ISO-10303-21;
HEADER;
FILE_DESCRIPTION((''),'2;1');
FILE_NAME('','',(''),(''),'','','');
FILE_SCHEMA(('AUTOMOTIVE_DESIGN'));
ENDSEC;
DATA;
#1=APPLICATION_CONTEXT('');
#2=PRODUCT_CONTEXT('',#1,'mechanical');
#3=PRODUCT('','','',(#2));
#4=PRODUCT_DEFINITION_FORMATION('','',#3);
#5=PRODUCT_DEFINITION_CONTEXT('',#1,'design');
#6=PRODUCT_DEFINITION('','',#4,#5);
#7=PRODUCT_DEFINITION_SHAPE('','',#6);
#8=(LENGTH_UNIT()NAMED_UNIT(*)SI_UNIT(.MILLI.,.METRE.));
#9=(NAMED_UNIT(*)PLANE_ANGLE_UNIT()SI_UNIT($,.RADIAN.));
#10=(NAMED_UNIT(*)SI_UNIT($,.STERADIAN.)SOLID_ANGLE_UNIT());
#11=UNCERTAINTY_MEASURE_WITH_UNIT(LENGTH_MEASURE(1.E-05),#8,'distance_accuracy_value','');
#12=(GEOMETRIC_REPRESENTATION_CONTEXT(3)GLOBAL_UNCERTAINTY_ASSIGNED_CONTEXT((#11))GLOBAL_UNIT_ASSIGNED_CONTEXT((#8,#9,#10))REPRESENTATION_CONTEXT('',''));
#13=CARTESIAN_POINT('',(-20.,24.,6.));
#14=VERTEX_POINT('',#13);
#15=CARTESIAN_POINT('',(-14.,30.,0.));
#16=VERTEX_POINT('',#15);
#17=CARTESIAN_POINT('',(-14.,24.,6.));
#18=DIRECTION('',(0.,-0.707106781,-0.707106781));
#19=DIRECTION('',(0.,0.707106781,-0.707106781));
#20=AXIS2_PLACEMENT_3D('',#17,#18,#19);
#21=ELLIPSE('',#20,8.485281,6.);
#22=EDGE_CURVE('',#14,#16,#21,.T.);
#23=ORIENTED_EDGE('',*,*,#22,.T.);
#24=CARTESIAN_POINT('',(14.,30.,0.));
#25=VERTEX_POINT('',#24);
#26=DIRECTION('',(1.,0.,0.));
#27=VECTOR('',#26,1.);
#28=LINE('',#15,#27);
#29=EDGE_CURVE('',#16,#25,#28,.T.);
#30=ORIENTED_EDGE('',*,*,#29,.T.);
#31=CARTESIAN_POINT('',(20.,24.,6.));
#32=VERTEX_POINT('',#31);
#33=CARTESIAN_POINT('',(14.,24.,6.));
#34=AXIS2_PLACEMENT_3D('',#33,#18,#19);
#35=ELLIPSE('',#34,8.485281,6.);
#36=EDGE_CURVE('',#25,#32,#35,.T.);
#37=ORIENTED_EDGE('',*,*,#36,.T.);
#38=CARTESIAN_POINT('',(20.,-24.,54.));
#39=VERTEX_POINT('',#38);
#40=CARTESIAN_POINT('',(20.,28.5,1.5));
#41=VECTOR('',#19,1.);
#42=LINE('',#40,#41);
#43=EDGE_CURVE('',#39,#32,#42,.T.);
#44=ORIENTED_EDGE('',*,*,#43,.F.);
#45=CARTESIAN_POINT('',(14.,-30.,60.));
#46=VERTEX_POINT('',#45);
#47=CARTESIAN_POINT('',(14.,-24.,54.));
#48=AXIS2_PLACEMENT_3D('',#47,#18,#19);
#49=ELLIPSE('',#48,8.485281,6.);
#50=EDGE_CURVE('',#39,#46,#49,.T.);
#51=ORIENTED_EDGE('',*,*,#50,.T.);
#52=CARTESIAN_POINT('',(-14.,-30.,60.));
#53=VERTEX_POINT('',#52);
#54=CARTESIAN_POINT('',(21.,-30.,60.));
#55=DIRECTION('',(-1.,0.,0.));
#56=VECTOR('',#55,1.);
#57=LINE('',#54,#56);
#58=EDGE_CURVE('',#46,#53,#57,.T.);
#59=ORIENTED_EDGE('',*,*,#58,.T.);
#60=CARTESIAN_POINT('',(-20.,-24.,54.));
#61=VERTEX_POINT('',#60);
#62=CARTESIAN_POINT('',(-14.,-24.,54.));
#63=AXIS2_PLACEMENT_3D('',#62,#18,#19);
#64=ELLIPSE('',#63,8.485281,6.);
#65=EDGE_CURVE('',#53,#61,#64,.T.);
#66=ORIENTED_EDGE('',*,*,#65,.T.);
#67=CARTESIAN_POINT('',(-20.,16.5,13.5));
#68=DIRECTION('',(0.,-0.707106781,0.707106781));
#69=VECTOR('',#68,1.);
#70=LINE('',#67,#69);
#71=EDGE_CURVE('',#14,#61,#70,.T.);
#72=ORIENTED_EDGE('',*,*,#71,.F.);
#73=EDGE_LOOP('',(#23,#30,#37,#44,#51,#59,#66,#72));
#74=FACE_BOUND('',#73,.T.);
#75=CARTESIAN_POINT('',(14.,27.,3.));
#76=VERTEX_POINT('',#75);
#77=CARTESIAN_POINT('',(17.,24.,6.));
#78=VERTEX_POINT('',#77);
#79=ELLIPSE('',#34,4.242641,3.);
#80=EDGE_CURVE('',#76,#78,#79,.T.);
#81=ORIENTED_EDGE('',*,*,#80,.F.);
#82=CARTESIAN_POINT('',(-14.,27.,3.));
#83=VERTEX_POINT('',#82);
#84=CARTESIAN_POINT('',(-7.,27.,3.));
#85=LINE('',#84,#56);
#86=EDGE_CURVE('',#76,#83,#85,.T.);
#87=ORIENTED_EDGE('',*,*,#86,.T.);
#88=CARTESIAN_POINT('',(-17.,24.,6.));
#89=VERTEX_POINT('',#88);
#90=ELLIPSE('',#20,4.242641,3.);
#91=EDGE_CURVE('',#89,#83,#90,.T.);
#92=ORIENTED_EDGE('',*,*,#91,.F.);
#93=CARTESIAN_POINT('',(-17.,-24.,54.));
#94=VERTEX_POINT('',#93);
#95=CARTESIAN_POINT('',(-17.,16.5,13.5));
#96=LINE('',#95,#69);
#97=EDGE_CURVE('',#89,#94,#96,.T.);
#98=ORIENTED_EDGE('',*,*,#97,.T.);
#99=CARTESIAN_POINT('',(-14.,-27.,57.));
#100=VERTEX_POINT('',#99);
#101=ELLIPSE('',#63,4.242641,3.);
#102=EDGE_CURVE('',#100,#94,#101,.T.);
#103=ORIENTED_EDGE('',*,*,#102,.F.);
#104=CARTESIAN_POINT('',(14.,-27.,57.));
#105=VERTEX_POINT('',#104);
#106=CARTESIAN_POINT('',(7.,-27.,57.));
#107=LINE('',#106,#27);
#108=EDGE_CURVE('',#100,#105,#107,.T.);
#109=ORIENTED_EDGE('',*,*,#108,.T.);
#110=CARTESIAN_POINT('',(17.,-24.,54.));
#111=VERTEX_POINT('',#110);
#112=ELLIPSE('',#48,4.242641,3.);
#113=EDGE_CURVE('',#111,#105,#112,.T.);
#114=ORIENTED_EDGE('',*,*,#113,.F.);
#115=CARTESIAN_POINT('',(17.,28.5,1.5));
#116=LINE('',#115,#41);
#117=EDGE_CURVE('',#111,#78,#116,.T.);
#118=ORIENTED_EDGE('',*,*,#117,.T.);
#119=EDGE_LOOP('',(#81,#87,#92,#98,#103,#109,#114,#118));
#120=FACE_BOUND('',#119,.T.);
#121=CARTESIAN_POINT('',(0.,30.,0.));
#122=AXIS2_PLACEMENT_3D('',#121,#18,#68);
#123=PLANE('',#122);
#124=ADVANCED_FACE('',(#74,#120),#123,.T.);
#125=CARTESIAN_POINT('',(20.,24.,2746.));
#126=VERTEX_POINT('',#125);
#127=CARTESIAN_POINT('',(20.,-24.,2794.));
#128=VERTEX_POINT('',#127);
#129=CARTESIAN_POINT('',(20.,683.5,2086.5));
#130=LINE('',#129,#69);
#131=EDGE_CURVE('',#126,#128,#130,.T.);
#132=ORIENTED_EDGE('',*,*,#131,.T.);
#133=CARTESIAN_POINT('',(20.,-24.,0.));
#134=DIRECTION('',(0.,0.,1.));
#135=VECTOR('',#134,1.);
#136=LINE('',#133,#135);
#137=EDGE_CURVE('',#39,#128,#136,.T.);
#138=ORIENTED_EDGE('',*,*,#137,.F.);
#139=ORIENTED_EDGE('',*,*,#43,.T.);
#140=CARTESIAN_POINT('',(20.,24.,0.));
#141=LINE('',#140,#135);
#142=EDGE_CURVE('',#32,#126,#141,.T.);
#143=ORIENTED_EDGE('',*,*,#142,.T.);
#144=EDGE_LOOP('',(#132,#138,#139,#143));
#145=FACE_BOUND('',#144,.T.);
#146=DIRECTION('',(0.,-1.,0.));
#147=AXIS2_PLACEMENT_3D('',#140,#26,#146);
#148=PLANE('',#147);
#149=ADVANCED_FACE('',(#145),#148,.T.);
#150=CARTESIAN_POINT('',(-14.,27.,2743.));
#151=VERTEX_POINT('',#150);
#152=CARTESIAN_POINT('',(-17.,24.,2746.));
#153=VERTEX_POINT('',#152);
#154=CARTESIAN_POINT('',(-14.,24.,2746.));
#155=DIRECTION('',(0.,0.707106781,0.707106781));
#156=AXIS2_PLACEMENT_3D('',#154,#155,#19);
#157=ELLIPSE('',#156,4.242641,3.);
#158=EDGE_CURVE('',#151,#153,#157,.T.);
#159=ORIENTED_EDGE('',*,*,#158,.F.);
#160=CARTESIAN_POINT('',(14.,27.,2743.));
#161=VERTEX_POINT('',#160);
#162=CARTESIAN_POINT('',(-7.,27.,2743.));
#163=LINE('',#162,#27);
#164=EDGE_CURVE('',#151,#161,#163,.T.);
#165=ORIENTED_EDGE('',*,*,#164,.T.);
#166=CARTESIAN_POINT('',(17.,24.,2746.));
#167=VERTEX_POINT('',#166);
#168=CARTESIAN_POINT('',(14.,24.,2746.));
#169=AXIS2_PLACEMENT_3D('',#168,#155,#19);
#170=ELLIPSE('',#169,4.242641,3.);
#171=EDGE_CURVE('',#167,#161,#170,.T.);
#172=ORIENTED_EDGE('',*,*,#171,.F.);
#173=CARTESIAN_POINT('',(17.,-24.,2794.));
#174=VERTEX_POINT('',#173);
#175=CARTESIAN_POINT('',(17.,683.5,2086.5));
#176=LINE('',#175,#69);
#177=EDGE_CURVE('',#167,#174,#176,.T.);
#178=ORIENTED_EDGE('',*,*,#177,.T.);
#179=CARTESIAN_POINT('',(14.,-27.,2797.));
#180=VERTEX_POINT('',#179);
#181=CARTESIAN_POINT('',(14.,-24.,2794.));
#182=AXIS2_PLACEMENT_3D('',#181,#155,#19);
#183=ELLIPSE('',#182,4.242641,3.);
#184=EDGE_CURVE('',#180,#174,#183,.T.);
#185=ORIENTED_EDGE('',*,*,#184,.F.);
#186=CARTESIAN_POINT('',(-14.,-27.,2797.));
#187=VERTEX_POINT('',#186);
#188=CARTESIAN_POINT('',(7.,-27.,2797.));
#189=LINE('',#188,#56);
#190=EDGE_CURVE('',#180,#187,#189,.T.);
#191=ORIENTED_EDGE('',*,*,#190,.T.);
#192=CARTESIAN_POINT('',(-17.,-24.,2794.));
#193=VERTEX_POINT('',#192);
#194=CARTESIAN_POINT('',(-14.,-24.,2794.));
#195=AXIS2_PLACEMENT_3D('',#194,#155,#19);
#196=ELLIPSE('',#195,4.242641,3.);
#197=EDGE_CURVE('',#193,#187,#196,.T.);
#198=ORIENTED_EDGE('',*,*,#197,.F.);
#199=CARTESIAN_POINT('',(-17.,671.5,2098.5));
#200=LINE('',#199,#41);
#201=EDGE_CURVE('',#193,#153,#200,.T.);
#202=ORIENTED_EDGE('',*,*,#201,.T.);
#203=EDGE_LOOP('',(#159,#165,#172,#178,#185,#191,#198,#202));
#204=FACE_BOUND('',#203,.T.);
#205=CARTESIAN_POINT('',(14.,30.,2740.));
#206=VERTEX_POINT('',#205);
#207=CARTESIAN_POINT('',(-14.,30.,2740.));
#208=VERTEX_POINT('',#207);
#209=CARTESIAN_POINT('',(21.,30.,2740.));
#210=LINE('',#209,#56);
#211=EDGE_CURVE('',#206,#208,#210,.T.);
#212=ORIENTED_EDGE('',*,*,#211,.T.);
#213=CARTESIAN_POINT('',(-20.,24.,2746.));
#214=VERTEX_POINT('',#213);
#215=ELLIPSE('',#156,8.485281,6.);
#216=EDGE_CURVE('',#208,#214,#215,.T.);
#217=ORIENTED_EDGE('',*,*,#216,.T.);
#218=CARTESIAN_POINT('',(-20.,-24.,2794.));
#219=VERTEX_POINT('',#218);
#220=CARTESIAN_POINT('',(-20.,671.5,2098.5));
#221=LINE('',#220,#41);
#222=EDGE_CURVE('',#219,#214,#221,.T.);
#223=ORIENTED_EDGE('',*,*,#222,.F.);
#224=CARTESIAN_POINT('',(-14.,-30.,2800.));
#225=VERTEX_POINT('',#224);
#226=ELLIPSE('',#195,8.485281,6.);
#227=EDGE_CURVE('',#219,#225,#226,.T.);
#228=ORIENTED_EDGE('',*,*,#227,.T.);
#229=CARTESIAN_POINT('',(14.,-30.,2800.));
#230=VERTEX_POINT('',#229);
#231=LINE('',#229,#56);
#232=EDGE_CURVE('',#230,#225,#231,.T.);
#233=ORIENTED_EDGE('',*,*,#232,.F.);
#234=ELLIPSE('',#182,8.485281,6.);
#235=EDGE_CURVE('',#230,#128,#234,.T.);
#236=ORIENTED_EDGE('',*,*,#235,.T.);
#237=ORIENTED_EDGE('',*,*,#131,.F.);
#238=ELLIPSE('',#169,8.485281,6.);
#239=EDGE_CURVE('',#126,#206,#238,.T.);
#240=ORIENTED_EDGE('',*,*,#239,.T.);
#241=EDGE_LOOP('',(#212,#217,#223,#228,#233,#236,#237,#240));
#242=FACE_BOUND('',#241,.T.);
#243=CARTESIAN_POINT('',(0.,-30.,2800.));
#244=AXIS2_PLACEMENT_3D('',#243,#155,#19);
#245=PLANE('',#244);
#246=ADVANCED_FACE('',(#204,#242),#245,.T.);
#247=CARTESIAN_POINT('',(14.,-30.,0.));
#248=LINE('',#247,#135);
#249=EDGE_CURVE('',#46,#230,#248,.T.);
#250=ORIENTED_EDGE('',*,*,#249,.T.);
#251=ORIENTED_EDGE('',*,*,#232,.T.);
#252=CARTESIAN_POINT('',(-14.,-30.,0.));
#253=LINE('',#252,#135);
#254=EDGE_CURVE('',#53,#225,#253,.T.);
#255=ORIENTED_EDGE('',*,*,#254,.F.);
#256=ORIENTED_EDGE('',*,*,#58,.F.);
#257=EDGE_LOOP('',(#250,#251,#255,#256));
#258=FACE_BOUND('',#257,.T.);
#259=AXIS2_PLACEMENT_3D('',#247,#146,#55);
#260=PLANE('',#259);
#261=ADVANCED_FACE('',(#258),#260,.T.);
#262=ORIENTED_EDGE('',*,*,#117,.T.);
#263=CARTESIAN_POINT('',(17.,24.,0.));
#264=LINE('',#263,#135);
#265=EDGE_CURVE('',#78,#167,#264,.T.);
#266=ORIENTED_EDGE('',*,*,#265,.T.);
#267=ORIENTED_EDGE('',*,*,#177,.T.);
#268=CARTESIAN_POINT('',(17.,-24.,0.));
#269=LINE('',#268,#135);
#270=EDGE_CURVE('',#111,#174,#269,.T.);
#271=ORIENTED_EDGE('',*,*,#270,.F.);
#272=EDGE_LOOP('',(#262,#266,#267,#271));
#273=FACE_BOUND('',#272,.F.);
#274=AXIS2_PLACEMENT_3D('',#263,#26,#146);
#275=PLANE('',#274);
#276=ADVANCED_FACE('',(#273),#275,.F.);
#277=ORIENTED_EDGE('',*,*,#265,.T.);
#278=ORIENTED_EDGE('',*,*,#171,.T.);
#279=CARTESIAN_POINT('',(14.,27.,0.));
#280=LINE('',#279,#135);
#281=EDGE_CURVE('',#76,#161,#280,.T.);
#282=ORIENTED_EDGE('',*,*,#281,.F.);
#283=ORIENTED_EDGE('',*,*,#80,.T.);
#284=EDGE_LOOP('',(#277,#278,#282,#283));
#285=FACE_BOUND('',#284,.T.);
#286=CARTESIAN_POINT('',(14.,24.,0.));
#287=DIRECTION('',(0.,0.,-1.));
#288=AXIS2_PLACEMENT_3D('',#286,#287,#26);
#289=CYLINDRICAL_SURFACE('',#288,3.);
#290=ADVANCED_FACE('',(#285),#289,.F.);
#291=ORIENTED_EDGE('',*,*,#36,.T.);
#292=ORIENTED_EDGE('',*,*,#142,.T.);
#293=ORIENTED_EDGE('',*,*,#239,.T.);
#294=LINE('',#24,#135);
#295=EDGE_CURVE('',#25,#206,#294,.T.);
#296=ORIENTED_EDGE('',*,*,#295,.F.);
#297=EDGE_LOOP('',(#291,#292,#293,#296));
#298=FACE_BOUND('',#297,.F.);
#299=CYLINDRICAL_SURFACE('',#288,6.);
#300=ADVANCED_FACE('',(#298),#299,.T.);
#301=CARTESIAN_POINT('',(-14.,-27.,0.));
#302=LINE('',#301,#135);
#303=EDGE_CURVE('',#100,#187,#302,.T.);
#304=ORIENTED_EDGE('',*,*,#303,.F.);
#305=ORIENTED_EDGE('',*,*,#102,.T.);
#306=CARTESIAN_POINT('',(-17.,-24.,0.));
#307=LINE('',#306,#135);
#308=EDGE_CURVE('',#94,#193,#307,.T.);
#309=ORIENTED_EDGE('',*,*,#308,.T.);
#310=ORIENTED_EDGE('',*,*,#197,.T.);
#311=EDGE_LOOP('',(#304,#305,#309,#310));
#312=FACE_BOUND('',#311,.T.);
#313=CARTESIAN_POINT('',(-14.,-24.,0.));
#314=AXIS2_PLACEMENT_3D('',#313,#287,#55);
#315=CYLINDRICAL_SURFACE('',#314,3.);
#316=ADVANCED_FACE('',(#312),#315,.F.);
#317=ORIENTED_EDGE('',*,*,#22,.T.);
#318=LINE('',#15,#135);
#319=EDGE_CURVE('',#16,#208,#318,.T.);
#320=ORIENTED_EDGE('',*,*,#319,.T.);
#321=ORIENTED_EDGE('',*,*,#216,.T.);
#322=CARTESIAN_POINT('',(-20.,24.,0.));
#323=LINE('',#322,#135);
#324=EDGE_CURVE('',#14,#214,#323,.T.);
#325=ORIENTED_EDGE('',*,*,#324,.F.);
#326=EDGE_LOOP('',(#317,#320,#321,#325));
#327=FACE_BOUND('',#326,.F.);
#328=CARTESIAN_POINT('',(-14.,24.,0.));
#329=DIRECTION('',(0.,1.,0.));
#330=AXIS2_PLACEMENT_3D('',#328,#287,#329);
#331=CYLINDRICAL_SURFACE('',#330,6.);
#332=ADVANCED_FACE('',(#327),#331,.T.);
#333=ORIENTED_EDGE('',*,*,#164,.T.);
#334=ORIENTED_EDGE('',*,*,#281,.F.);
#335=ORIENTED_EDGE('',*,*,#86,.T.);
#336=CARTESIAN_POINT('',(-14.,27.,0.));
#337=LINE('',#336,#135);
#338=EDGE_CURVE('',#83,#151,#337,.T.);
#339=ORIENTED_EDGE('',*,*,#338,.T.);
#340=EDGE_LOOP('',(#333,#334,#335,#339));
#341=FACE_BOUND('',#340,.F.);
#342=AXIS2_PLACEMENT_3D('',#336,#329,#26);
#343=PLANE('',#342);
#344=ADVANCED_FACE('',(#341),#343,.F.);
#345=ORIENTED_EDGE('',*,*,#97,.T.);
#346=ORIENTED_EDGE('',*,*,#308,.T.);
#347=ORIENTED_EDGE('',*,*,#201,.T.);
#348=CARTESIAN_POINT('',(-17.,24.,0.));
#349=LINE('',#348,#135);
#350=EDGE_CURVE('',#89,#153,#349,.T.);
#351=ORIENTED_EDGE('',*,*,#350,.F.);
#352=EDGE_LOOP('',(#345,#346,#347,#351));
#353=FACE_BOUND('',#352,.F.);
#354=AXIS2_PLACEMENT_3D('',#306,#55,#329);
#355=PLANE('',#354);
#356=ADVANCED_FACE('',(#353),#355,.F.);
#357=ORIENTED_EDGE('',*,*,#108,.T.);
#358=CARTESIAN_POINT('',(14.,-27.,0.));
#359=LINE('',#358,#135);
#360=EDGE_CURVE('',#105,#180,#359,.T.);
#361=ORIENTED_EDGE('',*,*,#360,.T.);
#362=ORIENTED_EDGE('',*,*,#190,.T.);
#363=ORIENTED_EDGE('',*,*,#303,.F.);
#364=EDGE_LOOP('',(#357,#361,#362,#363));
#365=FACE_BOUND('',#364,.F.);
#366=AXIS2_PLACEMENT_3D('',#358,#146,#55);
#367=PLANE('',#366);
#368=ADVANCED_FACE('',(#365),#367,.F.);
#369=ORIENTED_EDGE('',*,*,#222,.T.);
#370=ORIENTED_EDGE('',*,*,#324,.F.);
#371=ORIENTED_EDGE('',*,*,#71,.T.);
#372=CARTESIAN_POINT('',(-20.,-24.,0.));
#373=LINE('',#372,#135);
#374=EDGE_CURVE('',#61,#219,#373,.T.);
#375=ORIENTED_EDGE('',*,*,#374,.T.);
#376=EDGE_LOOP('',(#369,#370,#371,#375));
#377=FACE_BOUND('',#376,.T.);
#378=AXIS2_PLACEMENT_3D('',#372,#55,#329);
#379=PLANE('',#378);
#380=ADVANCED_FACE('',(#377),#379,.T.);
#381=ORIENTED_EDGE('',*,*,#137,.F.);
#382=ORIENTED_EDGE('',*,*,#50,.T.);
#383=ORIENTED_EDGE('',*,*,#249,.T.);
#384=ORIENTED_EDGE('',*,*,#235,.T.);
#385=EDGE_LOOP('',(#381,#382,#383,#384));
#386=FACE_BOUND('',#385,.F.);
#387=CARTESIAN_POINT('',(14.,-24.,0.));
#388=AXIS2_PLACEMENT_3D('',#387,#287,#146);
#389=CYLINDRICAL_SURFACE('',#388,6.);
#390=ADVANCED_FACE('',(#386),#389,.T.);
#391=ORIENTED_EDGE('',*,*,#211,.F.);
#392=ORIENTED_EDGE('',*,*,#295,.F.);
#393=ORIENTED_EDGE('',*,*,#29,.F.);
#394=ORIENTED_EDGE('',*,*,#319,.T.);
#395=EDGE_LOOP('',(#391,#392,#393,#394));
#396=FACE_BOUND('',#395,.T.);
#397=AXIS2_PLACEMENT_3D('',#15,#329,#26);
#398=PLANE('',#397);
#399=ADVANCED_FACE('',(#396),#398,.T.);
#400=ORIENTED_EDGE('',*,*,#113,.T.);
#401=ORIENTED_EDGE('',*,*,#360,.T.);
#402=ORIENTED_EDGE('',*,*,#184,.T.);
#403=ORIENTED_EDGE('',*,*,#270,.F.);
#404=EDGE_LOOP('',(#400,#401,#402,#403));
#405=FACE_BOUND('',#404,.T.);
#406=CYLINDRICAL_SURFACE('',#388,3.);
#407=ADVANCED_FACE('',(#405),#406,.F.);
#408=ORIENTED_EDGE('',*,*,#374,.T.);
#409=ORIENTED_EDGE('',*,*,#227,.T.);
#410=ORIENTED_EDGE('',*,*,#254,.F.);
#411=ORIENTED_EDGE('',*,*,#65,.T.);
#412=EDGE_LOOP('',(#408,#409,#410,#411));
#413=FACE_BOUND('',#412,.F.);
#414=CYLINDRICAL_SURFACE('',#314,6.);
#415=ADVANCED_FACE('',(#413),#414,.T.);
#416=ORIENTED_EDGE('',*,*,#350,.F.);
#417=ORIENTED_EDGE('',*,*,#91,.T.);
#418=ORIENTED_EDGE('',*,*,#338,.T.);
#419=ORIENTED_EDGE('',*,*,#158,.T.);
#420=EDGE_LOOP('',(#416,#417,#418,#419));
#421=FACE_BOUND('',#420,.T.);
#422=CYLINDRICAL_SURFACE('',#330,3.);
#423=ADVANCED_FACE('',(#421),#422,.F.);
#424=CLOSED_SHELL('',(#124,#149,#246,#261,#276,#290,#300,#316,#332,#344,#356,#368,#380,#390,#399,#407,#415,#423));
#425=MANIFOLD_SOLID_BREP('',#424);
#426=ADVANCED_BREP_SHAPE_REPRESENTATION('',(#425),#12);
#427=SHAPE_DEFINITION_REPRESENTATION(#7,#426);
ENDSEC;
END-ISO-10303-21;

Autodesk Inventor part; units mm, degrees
ref_plane "YZ Plane" through (0, 0, 0) normal (1, 0, 0) x (0, 1, 0)
ref_plane "Start plane" through (0, 0, 0) normal (0, 0, 1) x (1, 0, 0)
ref_plane "End plane" through (0, 0, 2800) normal (0, 0, 1) x (1, 0, 0)
sketch "Sketch" plane through (0, 0, 0) normal (0, 0, 1) x (1, 0, 0)
  line L0 (-20, -24) -> (-20, 24)
  line L1 (-14, 30) -> (14, 30)
  line L2 (20, 24) -> (20, -24)
  line L3 (14, -30) -> (-14, -30)
  arc A0 (-20, -24) -> (-14, -30) centre (-14, -24) ccw
  arc A1 (20, 24) -> (14, 30) centre (14, 24) ccw
  arc A2 (-14, 30) -> (-20, 24) centre (-14, 24) ccw
  arc A3 (14, -30) -> (20, -24) centre (14, -24) ccw
  arc A4 (-14, 27) -> (-17, 24) centre (-14, 24) ccw
  line L4 (-14, 27) -> (14, 27)
  arc A5 (17, 24) -> (14, 27) centre (14, 24) ccw
  line L5 (17, 24) -> (17, -24)
  arc A6 (14, -27) -> (17, -24) centre (14, -24) ccw
  line L6 (14, -27) -> (-14, -27)
  arc A7 (-17, -24) -> (-14, -27) centre (-14, -24) ccw
  line L7 (-17, -24) -> (-17, 24)
  line L8 (0, 43.7397) -> (0, -43.7397) construction
  line L9 (-29.7397, 0) -> (29.7397, 0) construction
  dimension "d7" = 6
  dimension "d9" = 40
  dimension "d11" = 60
  dimension "d12" = 3
  dimension "d15" = 20
  dimension "d16" = 30
extrude "Body" add sketch "Sketch" along normal up to surface (2800 mm away) from surface at 0
sketch "Sketch3" plane through (0, 0, 0) normal (0, 0, 1) x (1, 0, 0)
  line L0 (0, 0) -> (10, 0)
ref_plane "Work Plane3" through (0, 0, 0) normal (0, -1, 0) x (1, 0, 0)
sketch "Sketch7" plane through (0, 0, 0) normal (1, 0, 0) x (0, 1, 0)
  line L0 (-30, 0) -> (-30, 2800) projected
  line L1 (-30, 0) -> (-30, 2800) projected
  line L2 (30, 0) -> (30, 2800) projected
  line L3 (30, 0) -> (30, 2800) projected
  line L4 (-30, 0) -> (-24, 0) projected
  line L5 (30, 0) -> (-30, 0)
  line L6 (30, 0) -> (-30, 60)
  line L7 (-30, 0) -> (-30, 2800) projected
  line L8 (30, 2800) -> (-30, 2800)
  line L9 (-30, 2800) -> (30, 2740)
  point P0 (0, 0)
  dimension "d26" = 45
  dimension "d27" = 45
extrude "Extrusion4" cut sketch "Sketch7" along normal through all both and the other way through all contours L0 L6 L5 L4 | L8 L2 L9
sketch "Sketch4" plane through (0, 0, 0) normal (0, -1, 0) x (1, 0, 0)
  line L0 (-2, 0) -> (12, 0) projected
  line L1 (-2, 2800) -> (12, 2800) projected
  dimension "d18" = 2800
equation "\"d7\" = G_IR"
equation "\"d9\" = G_W"
equation "\"d11\" = G_H"
equation "\"d12\" = G_T"
equation "\"d15\" = 0.5 * d9"
equation "\"d16\" = 0.5 * d11"
equation "\"d3\" = G_L"
equation "\"G_W\" = 40"
equation "\"G_H\" = 60"
equation "\"G_T\" = 3"
equation "\"G_IR\" = 6"
equation "\"G_L\" = d18"
equation "\"G_OFFSET_START\" = 0"
equation "\"G_OFFSET_END\" = 0"
properties part number "ISO 4019 - 60x40x3 - 2800" material "Steel, Mild"
